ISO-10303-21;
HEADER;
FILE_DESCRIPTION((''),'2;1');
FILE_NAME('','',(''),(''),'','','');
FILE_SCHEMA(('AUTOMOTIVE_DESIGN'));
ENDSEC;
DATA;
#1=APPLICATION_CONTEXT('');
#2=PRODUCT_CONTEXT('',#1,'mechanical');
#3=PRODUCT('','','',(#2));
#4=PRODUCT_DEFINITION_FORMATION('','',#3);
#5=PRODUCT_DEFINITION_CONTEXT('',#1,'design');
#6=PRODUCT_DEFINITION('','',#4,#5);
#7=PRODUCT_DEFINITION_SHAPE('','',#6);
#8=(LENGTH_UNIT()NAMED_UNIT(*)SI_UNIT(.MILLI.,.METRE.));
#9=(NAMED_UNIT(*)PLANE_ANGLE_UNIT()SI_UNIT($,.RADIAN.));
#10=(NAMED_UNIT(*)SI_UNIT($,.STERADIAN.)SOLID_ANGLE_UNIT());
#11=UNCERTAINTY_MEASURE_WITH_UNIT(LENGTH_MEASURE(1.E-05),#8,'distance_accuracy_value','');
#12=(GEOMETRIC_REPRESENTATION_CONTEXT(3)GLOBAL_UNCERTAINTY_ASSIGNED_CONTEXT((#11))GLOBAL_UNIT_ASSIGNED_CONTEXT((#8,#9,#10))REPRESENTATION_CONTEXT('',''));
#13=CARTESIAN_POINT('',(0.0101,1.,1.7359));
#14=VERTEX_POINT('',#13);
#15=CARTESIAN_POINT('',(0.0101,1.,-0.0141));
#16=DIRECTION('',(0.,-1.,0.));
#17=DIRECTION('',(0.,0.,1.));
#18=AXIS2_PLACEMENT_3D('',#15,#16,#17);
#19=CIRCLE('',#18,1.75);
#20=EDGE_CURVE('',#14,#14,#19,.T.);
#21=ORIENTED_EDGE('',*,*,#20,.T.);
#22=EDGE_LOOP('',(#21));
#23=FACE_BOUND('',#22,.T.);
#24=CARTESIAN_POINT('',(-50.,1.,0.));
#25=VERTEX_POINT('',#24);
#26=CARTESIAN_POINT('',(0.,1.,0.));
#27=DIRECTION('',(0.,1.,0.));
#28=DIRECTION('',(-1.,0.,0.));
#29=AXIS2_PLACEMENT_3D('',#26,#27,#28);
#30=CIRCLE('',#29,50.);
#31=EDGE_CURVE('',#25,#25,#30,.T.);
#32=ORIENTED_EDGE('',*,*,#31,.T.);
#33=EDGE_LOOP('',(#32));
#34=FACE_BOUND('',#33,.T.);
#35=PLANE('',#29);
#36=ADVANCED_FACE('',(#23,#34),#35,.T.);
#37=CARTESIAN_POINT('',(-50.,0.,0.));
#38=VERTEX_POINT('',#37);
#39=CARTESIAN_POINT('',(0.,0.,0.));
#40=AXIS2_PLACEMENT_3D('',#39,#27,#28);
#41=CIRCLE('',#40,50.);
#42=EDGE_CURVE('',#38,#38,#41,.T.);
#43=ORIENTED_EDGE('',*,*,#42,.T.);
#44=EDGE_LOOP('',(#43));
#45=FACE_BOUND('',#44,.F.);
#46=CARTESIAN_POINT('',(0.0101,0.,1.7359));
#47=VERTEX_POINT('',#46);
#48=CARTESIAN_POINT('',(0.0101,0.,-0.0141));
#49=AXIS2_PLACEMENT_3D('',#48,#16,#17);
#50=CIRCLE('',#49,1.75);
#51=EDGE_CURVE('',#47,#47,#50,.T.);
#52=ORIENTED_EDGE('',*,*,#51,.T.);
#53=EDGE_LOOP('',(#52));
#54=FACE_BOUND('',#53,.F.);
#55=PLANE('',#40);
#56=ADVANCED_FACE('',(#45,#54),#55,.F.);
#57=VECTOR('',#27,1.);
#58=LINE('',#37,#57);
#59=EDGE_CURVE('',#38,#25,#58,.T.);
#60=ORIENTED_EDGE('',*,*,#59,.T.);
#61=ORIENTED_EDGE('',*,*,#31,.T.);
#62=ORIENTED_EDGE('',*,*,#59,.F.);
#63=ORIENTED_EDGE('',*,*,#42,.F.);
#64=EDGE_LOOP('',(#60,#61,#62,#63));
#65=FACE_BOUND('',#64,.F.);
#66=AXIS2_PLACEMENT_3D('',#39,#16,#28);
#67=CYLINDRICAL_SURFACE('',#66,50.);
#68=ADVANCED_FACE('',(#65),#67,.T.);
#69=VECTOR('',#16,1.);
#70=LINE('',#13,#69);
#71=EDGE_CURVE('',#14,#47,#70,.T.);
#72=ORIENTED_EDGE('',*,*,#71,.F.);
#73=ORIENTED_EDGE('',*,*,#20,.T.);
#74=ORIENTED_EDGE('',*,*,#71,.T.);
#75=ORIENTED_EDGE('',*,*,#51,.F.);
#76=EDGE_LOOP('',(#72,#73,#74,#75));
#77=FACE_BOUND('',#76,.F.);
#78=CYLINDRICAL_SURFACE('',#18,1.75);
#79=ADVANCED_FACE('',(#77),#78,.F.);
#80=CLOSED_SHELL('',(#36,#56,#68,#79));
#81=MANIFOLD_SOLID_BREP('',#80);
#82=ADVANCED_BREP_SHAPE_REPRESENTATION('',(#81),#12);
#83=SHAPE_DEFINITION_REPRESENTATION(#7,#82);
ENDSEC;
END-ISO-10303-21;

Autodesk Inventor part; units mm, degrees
ref_plane "YZ Plane" through (0, 0, 0) normal (1, 0, 0) x (0, 1, 0)
ref_plane "XZ Plane" through (0, 0, 0) normal (0, 1, 0) x (-1, 0, 0)
ref_plane "XY Plane" through (0, 0, 0) normal (0, 0, 1) x (1, 0, 0)
sketch "Sketch1" plane through (0, 0, 0) normal (0, 1, 0) x (-1, 0, 0)
  circle A0 centre (0, 0) radius 50
  dimension "d0" = 100
extrude "Extrusion1" add sketch "Sketch1" along normal blind 1
hole "Hole1" at (0.0101, 1, -0.0141) direction (0, -1, 0) diameter 3.5 depth 8 tip angle 118
properties part number "plate" material "Aluminum 6061"
